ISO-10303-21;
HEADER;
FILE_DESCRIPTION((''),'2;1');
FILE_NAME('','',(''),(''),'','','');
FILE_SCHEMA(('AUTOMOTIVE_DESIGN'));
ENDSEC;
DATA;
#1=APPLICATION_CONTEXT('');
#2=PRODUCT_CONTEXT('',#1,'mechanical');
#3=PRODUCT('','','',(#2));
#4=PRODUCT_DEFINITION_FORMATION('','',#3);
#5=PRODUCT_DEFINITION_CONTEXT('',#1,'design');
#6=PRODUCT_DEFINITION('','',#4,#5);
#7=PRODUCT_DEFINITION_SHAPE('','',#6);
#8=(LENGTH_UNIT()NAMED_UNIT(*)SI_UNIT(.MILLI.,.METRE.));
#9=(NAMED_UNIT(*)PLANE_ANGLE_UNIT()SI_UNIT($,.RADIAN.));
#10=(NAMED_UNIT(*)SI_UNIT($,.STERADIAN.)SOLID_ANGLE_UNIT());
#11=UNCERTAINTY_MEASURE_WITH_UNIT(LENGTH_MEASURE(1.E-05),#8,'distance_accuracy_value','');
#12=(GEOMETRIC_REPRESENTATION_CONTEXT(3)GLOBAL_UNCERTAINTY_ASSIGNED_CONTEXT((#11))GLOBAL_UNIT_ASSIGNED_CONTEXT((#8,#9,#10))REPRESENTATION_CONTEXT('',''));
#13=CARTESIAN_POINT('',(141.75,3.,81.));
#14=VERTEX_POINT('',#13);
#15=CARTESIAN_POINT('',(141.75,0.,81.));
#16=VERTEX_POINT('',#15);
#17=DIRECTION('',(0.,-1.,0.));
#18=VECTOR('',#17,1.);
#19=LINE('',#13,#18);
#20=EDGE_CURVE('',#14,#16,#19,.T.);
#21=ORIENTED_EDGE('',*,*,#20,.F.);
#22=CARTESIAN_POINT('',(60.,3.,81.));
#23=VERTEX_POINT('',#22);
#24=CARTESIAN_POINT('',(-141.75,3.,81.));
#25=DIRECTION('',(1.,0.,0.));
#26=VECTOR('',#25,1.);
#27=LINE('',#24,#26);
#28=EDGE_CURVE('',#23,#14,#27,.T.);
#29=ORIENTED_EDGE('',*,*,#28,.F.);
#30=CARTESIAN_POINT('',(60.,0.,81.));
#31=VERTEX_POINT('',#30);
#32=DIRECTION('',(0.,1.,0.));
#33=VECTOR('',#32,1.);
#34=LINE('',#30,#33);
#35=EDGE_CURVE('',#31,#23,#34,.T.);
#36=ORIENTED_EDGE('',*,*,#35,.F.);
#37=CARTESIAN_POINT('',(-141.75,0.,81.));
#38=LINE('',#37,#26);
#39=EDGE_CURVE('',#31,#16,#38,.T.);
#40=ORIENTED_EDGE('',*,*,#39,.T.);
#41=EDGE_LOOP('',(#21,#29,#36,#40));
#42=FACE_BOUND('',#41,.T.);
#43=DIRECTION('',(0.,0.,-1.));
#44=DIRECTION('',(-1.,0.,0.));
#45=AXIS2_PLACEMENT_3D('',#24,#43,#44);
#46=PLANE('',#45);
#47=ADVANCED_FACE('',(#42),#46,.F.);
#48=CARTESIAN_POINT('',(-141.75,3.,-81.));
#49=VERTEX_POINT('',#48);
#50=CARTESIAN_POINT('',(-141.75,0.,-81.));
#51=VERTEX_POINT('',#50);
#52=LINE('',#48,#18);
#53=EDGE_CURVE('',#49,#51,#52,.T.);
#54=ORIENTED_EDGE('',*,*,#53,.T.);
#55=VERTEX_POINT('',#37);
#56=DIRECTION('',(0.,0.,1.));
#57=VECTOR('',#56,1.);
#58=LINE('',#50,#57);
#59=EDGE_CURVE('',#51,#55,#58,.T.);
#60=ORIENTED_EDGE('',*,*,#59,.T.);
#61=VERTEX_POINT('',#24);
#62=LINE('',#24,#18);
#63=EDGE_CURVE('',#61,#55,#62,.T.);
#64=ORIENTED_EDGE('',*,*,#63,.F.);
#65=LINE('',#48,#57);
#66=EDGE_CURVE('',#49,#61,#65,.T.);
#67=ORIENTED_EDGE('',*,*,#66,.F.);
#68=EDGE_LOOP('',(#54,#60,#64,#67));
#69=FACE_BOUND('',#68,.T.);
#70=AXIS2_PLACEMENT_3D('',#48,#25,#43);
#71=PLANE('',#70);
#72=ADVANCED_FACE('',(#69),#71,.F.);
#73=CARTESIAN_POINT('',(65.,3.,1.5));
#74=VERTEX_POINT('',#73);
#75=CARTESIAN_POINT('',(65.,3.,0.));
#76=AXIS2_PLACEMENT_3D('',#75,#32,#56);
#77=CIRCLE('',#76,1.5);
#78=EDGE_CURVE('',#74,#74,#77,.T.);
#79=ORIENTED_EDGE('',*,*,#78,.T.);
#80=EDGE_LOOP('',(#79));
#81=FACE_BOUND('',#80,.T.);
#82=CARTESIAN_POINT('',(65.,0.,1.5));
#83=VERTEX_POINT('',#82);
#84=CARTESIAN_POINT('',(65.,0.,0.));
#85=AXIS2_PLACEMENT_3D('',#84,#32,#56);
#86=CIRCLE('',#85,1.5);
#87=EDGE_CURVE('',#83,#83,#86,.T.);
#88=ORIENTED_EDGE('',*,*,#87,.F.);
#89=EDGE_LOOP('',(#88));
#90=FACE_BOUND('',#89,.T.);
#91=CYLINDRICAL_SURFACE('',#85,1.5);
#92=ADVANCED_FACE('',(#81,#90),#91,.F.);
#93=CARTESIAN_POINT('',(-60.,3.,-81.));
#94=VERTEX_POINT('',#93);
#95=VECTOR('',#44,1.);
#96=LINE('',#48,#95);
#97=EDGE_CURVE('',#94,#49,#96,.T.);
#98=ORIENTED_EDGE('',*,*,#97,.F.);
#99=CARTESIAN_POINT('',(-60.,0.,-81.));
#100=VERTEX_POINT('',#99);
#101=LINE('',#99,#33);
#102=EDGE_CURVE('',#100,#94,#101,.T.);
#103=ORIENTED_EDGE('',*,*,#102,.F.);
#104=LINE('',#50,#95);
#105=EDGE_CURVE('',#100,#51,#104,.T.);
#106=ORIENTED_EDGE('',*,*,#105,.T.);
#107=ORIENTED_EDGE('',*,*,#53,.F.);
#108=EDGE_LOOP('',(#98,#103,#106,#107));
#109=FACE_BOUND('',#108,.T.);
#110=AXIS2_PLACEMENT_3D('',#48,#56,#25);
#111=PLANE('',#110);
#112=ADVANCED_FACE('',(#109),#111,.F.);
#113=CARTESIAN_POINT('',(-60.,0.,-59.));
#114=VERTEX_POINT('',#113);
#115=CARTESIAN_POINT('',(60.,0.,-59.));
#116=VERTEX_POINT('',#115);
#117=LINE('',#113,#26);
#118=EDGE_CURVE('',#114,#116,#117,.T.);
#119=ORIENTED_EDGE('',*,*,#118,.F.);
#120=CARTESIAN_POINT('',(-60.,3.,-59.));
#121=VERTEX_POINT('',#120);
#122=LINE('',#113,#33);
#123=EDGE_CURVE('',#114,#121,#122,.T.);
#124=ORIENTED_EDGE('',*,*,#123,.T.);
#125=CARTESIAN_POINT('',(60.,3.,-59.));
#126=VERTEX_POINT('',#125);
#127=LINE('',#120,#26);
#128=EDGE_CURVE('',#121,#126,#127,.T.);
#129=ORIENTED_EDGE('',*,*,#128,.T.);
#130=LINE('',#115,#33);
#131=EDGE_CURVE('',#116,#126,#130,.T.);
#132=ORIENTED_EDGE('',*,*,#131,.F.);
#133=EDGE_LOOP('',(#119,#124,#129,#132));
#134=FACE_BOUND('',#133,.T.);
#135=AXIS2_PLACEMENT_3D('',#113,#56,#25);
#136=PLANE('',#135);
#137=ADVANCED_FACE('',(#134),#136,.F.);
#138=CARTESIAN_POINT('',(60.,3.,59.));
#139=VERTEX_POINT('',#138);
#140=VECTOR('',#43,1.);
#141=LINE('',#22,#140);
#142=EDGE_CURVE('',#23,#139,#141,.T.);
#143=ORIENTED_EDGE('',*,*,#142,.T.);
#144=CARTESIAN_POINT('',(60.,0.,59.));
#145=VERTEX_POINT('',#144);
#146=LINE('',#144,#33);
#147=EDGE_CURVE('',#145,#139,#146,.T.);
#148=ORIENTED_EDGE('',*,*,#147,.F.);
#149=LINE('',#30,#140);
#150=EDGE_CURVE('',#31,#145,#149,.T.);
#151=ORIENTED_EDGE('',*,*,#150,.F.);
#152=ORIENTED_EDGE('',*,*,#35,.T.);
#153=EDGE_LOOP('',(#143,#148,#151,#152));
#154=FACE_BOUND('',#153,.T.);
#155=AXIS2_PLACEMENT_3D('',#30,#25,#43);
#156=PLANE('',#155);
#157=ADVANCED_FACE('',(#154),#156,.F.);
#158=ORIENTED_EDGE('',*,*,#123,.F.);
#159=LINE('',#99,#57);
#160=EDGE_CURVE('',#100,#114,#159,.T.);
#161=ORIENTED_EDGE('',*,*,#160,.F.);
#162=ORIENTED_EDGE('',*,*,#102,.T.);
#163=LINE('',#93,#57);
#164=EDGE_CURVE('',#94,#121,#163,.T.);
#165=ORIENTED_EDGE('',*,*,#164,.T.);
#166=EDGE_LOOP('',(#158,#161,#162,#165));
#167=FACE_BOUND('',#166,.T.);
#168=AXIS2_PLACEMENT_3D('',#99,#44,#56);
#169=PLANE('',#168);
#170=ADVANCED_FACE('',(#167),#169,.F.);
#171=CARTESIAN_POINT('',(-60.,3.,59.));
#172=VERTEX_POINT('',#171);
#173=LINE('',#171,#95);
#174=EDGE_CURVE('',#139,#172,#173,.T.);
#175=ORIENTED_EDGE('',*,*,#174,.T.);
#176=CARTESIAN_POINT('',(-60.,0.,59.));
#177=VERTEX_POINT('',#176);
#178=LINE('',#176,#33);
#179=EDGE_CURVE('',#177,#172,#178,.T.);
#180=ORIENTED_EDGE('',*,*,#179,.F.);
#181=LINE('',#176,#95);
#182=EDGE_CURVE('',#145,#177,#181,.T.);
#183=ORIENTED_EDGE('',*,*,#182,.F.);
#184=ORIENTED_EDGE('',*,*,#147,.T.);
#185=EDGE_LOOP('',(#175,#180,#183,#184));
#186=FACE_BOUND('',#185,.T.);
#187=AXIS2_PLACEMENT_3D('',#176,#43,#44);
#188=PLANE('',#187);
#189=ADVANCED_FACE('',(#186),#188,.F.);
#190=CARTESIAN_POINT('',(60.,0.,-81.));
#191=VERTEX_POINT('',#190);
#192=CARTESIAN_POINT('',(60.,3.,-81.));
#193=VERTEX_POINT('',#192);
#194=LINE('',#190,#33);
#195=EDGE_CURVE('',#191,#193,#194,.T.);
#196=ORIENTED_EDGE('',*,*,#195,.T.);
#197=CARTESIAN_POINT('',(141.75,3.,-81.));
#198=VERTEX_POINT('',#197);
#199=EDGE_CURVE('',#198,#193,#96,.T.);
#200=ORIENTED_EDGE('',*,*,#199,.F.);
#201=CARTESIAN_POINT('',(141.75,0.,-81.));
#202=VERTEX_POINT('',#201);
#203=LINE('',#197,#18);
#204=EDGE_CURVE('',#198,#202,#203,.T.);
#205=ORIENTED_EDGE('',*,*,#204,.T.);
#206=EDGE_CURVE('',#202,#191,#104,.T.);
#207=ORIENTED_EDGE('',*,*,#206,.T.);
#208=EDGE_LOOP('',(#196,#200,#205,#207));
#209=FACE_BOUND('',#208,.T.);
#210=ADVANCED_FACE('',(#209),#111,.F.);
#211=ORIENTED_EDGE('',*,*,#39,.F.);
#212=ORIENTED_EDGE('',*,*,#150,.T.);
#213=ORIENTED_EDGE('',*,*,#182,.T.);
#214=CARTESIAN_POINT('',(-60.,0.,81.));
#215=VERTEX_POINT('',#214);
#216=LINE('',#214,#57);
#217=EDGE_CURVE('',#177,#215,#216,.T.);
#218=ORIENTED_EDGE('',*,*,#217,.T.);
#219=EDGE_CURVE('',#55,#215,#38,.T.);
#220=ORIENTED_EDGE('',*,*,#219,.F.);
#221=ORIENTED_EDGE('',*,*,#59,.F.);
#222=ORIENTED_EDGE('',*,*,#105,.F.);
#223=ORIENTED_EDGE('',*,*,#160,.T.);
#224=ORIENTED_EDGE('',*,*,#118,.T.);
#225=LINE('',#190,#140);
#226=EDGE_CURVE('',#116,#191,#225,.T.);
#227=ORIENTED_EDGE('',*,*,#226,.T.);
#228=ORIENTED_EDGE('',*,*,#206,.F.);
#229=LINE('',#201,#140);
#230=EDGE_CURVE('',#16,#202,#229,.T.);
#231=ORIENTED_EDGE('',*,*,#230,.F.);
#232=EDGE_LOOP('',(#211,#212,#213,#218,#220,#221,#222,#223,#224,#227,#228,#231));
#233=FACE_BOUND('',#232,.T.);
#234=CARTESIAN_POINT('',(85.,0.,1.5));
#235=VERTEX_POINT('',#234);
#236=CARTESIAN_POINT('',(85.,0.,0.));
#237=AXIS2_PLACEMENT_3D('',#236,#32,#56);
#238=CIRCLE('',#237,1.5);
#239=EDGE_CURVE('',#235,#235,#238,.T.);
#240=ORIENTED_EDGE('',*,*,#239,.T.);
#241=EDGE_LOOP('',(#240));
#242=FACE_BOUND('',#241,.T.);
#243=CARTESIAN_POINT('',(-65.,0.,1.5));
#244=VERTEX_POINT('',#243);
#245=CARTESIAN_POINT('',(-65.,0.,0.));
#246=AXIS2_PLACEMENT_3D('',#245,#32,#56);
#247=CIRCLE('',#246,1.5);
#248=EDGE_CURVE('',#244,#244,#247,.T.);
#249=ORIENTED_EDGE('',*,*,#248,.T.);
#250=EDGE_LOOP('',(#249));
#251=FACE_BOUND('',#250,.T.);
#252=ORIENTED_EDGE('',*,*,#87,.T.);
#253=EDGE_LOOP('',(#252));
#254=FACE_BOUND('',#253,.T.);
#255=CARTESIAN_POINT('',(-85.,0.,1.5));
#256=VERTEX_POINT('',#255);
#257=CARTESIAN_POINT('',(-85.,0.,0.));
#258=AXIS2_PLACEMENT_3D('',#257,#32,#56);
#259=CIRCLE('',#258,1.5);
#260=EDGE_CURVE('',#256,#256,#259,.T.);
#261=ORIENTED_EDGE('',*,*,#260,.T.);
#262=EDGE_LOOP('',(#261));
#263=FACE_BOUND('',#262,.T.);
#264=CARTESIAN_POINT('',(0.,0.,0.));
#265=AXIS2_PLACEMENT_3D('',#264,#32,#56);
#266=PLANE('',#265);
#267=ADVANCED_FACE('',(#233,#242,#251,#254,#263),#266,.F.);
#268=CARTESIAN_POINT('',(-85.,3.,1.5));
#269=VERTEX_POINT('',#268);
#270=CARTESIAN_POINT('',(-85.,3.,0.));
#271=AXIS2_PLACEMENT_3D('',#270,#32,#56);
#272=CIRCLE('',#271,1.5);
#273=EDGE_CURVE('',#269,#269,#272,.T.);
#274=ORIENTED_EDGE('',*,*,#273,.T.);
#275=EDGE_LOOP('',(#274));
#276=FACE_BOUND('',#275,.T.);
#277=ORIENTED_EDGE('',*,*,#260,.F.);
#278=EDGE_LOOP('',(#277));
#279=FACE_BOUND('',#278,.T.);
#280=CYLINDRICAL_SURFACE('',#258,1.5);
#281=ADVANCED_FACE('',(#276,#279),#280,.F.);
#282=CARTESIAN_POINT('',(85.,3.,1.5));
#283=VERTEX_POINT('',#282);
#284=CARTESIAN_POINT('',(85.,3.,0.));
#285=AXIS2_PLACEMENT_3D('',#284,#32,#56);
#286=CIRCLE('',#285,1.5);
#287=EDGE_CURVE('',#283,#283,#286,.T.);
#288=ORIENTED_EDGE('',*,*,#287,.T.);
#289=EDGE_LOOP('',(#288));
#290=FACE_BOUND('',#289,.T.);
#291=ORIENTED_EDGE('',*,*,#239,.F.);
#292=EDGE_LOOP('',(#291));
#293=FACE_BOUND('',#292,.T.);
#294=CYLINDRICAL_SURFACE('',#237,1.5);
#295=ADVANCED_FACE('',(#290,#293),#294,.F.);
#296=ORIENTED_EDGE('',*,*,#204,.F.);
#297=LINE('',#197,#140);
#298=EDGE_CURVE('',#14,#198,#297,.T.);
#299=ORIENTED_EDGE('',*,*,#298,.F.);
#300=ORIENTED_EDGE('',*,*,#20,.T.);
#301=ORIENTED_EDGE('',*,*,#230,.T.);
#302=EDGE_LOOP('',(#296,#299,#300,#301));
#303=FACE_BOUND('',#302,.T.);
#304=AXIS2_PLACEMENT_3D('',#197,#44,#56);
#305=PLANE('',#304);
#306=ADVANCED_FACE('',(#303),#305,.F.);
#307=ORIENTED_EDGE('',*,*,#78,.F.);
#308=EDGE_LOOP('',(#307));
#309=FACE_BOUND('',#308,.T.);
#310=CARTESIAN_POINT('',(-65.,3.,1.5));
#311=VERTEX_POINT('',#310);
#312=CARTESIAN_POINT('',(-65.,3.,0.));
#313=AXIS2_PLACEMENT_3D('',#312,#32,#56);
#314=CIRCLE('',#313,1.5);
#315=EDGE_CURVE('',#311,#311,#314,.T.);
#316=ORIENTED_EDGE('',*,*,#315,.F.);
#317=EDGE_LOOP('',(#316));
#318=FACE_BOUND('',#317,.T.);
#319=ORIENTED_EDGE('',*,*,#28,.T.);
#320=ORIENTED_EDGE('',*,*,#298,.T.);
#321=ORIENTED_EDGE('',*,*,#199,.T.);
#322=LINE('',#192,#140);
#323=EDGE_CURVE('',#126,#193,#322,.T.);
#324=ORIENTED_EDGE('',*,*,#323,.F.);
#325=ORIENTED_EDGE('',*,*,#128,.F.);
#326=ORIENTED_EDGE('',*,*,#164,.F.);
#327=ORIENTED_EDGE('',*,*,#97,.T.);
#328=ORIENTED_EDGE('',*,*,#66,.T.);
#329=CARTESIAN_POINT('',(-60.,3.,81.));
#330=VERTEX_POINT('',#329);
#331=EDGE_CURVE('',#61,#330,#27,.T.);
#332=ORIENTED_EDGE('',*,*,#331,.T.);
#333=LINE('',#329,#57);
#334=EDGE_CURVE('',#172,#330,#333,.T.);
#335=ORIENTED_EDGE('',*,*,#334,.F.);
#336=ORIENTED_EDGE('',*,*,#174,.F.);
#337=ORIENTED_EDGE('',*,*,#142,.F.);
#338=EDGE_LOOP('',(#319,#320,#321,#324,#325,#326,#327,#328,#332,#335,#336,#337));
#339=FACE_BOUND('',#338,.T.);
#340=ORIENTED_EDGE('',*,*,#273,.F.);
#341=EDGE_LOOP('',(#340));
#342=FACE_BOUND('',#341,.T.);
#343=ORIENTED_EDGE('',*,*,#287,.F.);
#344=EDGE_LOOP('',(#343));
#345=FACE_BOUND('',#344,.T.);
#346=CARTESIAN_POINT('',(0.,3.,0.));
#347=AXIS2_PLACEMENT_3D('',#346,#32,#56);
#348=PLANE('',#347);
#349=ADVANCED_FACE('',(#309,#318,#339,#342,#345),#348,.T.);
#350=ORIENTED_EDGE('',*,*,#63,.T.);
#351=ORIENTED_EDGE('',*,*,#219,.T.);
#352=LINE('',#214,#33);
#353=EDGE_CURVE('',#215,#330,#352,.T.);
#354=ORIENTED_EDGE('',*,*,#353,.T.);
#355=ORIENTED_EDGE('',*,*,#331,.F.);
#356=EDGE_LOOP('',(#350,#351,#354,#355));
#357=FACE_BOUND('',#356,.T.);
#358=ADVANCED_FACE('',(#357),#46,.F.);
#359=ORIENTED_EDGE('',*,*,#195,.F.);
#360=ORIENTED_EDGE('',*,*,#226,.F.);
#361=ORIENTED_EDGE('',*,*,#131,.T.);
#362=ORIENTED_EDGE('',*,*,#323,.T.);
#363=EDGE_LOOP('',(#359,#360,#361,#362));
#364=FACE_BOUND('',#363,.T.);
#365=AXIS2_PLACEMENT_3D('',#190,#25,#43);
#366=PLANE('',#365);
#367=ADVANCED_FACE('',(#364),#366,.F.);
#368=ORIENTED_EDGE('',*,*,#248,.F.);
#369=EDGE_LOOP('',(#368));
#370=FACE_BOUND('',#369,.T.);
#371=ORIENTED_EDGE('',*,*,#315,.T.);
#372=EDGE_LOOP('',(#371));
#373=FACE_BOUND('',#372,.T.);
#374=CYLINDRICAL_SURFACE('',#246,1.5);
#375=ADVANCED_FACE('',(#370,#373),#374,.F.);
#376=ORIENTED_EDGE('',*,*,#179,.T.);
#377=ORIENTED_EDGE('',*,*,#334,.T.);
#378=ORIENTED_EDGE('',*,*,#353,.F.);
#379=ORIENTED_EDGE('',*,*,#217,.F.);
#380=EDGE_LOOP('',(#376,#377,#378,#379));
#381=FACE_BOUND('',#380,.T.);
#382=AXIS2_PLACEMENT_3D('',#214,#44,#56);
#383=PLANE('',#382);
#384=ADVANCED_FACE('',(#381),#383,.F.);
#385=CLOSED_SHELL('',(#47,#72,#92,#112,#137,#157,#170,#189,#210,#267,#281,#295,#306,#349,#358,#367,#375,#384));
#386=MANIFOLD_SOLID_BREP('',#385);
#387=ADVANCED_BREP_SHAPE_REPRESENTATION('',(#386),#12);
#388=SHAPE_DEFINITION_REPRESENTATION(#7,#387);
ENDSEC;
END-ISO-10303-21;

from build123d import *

# Parameters (mm, degrees)
SKETCH1_W               = 283.5
SKETCH1_H               = 162
BOSS_EXTRUDE1_DEPTH     = 3
SKETCH2_W               = 120
SKETCH2_H               = 22
CUT_EXTRUDE1_DEPTH      = 3
CUT_EXTRUDE3_DEPTH      = 164.288280351
CUT_EXTRUDE3_DEPTH_BACK = 164.288280351
SKETCH4_R               = 1.5


with BuildPart() as part:
    # Sketch1 → Boss-Extrude1 (new body)
    with BuildSketch(Plane(origin=(0, 0, 0), x_dir=(1, 0, 0), z_dir=(0, 1, 0))):
        Rectangle(SKETCH1_W, SKETCH1_H)
    extrude(amount=BOSS_EXTRUDE1_DEPTH)

    # Sketch2 → Cut-Extrude1 (cut)
    with BuildSketch(Plane(origin=(0, 3, 0), x_dir=(1, 0, 0), z_dir=(0, 1, 0))):
        with Locations((0, -70)):
            Rectangle(SKETCH2_W, SKETCH2_H)
        with Locations((0, 70)):
            Rectangle(SKETCH2_W, SKETCH2_H)
    extrude(amount=-CUT_EXTRUDE1_DEPTH, mode=Mode.SUBTRACT)

    # Sketch4 → Cut-Extrude3 (cut, two sides: drawn at the far end of the back side and taken through both)
    with BuildSketch(Plane(origin=(0, 3, 0), x_dir=(1, 0, 0), z_dir=(0, 1, 0)).offset(-CUT_EXTRUDE3_DEPTH_BACK)):
        with Locations(Location((-85, 0, 0), (0, 0, 270))):
            Circle(SKETCH4_R)
        with Locations(Location((-65, 0, 0), (0, 0, 270))):
            Circle(SKETCH4_R)
        with Locations(Location((65, 0, 0), (0, 0, 270))):
            Circle(SKETCH4_R)
        with Locations(Location((85, 0, 0), (0, 0, 270))):
            Circle(SKETCH4_R)
    extrude(amount=CUT_EXTRUDE3_DEPTH + CUT_EXTRUDE3_DEPTH_BACK, mode=Mode.SUBTRACT)


solid = part.part
